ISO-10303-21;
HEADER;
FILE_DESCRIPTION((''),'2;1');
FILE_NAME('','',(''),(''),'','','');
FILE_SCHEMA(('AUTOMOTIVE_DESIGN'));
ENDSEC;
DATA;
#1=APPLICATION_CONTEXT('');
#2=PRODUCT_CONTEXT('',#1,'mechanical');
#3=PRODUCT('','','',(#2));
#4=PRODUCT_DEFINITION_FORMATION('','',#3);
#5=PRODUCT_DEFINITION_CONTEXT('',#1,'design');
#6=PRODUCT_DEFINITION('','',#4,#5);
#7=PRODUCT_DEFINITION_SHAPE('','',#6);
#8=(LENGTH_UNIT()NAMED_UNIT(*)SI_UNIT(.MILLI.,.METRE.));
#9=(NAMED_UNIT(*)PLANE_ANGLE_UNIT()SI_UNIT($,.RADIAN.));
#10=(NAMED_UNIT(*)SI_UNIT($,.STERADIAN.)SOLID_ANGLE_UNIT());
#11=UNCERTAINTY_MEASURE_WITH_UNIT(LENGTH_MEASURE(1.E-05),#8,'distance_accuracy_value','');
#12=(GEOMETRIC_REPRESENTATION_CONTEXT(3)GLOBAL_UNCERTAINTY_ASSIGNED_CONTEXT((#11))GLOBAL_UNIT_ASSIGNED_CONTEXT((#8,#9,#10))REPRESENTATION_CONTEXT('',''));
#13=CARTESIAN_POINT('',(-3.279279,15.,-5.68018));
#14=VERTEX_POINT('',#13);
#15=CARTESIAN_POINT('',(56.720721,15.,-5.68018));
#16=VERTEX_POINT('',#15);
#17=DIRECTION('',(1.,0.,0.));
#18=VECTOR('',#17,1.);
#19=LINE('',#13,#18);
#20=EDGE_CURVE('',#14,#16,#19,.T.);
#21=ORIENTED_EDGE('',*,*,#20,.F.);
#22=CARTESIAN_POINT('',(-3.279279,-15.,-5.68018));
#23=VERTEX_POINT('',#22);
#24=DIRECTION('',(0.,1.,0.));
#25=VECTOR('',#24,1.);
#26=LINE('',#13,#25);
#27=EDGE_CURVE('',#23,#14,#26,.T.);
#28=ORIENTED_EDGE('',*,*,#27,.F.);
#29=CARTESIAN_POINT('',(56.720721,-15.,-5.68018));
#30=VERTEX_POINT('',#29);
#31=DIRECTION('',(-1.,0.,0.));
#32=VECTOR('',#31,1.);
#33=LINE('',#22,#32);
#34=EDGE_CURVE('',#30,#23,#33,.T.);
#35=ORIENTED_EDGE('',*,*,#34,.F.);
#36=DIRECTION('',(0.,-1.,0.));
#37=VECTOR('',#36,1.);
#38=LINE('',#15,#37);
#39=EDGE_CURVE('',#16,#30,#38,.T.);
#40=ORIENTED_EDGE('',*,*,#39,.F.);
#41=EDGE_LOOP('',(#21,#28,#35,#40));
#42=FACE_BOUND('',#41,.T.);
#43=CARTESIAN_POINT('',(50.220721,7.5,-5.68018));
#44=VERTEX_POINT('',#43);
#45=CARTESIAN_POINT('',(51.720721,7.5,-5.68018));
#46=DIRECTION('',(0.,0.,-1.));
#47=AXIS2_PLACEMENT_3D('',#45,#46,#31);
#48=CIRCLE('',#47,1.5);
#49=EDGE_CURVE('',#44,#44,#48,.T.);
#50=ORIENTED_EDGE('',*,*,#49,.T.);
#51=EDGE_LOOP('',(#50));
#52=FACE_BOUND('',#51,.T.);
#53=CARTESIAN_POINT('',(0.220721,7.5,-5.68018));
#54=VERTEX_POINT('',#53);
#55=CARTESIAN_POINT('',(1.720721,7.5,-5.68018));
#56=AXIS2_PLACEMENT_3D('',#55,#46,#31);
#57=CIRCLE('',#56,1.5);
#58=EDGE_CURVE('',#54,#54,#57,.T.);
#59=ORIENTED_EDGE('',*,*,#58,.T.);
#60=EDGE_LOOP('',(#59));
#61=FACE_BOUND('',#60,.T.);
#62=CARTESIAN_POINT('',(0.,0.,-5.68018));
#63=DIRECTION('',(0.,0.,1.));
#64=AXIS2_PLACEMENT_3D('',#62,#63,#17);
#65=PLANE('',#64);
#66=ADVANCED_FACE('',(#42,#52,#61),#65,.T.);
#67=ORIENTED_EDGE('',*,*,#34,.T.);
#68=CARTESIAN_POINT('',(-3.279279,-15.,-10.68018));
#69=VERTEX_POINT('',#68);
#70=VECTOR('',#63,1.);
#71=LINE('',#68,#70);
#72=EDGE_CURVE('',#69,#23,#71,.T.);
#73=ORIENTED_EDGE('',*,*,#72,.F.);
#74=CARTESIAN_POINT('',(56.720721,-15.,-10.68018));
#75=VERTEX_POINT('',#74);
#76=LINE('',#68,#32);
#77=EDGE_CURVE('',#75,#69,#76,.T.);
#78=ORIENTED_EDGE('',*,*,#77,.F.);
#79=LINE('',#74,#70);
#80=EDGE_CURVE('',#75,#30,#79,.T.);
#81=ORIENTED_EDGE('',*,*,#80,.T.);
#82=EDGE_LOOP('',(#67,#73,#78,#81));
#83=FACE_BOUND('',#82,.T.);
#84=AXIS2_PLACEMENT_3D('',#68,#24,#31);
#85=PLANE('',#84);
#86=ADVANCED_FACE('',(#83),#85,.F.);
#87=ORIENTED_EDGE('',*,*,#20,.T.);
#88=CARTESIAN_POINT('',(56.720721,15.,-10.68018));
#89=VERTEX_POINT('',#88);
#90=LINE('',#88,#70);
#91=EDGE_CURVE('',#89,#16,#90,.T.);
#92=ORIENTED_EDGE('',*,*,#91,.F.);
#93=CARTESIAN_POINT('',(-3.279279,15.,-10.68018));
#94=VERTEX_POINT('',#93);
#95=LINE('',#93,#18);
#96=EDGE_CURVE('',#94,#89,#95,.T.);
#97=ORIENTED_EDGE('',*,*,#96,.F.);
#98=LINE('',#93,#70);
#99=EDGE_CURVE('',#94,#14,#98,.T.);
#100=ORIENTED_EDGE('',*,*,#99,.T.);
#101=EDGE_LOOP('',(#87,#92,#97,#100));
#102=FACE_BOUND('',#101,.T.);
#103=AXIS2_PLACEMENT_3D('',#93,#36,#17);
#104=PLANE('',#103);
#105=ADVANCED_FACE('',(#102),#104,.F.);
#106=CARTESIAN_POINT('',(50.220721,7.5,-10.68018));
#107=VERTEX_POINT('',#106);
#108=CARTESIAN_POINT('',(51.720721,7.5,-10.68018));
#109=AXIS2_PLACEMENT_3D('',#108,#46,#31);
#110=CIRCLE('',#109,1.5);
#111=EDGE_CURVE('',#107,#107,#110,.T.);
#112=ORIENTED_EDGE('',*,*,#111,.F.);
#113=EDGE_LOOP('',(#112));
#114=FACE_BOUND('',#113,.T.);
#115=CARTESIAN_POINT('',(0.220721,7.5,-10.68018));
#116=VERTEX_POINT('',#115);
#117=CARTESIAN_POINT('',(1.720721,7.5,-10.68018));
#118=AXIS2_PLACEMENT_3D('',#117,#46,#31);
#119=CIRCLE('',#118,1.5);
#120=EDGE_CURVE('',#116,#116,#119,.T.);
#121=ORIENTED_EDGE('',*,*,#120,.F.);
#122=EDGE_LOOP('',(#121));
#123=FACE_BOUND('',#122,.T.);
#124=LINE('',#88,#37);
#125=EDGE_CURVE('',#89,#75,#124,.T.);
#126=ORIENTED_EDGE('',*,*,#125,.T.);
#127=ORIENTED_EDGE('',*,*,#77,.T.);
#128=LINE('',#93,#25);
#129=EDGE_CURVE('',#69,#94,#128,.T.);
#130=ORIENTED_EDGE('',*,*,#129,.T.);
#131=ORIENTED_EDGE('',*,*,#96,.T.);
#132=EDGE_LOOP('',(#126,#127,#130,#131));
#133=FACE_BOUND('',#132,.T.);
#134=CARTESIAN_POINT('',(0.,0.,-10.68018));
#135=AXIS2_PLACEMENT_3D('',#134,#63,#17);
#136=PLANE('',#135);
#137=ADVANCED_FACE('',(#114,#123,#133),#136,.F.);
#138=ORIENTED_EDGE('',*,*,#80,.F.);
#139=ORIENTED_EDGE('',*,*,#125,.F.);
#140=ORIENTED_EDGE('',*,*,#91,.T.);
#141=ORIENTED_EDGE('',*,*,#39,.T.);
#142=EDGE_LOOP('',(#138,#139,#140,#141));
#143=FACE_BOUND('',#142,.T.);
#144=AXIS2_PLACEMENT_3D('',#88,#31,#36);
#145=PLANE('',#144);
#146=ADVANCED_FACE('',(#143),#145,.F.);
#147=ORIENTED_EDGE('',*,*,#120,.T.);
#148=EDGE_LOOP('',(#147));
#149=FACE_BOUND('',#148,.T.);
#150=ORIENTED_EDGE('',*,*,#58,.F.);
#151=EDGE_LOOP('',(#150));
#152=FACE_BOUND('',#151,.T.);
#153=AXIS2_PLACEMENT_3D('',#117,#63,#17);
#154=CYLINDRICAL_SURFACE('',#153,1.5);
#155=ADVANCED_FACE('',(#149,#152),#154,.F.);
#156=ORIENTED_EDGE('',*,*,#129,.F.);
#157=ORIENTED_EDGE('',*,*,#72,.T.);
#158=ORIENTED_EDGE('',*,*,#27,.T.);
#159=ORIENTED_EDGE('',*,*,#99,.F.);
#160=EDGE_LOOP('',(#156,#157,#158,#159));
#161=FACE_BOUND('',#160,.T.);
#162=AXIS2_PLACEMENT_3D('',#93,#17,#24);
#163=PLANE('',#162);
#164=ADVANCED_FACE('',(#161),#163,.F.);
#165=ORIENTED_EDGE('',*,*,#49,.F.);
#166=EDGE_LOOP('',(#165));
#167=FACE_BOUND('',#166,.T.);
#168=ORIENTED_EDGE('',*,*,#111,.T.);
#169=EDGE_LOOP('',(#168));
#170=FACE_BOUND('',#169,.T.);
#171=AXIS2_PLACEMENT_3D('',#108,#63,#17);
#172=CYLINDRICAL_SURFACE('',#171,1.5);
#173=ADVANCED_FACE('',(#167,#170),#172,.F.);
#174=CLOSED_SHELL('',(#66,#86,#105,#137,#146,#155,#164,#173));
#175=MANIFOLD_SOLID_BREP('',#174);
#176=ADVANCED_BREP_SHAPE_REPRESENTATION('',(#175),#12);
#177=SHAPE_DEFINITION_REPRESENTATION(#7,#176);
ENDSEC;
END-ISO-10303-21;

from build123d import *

# Parameters (mm, degrees)
SKETCH_2_W      = 60
SKETCH_2_H      = 30
SKETCH_2_R      = 1.5
EXTRUDE_1_DEPTH = 5


with BuildPart() as part:
    # 草图2 → 凸台-拉伸1 (new body)
    with BuildSketch(Plane(origin=(0, 0, -5.68018018), x_dir=(-1, 0, 0), z_dir=(0, 0, -1))):
        with Locations((-26.720720721, 0)):
            Rectangle(SKETCH_2_W, SKETCH_2_H)
        with Locations((-51.720720721, 7.5)):
            Circle(SKETCH_2_R, mode=Mode.SUBTRACT)
        with Locations((-1.720720721, 7.5)):
            Circle(SKETCH_2_R, mode=Mode.SUBTRACT)
    extrude(amount=EXTRUDE_1_DEPTH)


solid = part.part
